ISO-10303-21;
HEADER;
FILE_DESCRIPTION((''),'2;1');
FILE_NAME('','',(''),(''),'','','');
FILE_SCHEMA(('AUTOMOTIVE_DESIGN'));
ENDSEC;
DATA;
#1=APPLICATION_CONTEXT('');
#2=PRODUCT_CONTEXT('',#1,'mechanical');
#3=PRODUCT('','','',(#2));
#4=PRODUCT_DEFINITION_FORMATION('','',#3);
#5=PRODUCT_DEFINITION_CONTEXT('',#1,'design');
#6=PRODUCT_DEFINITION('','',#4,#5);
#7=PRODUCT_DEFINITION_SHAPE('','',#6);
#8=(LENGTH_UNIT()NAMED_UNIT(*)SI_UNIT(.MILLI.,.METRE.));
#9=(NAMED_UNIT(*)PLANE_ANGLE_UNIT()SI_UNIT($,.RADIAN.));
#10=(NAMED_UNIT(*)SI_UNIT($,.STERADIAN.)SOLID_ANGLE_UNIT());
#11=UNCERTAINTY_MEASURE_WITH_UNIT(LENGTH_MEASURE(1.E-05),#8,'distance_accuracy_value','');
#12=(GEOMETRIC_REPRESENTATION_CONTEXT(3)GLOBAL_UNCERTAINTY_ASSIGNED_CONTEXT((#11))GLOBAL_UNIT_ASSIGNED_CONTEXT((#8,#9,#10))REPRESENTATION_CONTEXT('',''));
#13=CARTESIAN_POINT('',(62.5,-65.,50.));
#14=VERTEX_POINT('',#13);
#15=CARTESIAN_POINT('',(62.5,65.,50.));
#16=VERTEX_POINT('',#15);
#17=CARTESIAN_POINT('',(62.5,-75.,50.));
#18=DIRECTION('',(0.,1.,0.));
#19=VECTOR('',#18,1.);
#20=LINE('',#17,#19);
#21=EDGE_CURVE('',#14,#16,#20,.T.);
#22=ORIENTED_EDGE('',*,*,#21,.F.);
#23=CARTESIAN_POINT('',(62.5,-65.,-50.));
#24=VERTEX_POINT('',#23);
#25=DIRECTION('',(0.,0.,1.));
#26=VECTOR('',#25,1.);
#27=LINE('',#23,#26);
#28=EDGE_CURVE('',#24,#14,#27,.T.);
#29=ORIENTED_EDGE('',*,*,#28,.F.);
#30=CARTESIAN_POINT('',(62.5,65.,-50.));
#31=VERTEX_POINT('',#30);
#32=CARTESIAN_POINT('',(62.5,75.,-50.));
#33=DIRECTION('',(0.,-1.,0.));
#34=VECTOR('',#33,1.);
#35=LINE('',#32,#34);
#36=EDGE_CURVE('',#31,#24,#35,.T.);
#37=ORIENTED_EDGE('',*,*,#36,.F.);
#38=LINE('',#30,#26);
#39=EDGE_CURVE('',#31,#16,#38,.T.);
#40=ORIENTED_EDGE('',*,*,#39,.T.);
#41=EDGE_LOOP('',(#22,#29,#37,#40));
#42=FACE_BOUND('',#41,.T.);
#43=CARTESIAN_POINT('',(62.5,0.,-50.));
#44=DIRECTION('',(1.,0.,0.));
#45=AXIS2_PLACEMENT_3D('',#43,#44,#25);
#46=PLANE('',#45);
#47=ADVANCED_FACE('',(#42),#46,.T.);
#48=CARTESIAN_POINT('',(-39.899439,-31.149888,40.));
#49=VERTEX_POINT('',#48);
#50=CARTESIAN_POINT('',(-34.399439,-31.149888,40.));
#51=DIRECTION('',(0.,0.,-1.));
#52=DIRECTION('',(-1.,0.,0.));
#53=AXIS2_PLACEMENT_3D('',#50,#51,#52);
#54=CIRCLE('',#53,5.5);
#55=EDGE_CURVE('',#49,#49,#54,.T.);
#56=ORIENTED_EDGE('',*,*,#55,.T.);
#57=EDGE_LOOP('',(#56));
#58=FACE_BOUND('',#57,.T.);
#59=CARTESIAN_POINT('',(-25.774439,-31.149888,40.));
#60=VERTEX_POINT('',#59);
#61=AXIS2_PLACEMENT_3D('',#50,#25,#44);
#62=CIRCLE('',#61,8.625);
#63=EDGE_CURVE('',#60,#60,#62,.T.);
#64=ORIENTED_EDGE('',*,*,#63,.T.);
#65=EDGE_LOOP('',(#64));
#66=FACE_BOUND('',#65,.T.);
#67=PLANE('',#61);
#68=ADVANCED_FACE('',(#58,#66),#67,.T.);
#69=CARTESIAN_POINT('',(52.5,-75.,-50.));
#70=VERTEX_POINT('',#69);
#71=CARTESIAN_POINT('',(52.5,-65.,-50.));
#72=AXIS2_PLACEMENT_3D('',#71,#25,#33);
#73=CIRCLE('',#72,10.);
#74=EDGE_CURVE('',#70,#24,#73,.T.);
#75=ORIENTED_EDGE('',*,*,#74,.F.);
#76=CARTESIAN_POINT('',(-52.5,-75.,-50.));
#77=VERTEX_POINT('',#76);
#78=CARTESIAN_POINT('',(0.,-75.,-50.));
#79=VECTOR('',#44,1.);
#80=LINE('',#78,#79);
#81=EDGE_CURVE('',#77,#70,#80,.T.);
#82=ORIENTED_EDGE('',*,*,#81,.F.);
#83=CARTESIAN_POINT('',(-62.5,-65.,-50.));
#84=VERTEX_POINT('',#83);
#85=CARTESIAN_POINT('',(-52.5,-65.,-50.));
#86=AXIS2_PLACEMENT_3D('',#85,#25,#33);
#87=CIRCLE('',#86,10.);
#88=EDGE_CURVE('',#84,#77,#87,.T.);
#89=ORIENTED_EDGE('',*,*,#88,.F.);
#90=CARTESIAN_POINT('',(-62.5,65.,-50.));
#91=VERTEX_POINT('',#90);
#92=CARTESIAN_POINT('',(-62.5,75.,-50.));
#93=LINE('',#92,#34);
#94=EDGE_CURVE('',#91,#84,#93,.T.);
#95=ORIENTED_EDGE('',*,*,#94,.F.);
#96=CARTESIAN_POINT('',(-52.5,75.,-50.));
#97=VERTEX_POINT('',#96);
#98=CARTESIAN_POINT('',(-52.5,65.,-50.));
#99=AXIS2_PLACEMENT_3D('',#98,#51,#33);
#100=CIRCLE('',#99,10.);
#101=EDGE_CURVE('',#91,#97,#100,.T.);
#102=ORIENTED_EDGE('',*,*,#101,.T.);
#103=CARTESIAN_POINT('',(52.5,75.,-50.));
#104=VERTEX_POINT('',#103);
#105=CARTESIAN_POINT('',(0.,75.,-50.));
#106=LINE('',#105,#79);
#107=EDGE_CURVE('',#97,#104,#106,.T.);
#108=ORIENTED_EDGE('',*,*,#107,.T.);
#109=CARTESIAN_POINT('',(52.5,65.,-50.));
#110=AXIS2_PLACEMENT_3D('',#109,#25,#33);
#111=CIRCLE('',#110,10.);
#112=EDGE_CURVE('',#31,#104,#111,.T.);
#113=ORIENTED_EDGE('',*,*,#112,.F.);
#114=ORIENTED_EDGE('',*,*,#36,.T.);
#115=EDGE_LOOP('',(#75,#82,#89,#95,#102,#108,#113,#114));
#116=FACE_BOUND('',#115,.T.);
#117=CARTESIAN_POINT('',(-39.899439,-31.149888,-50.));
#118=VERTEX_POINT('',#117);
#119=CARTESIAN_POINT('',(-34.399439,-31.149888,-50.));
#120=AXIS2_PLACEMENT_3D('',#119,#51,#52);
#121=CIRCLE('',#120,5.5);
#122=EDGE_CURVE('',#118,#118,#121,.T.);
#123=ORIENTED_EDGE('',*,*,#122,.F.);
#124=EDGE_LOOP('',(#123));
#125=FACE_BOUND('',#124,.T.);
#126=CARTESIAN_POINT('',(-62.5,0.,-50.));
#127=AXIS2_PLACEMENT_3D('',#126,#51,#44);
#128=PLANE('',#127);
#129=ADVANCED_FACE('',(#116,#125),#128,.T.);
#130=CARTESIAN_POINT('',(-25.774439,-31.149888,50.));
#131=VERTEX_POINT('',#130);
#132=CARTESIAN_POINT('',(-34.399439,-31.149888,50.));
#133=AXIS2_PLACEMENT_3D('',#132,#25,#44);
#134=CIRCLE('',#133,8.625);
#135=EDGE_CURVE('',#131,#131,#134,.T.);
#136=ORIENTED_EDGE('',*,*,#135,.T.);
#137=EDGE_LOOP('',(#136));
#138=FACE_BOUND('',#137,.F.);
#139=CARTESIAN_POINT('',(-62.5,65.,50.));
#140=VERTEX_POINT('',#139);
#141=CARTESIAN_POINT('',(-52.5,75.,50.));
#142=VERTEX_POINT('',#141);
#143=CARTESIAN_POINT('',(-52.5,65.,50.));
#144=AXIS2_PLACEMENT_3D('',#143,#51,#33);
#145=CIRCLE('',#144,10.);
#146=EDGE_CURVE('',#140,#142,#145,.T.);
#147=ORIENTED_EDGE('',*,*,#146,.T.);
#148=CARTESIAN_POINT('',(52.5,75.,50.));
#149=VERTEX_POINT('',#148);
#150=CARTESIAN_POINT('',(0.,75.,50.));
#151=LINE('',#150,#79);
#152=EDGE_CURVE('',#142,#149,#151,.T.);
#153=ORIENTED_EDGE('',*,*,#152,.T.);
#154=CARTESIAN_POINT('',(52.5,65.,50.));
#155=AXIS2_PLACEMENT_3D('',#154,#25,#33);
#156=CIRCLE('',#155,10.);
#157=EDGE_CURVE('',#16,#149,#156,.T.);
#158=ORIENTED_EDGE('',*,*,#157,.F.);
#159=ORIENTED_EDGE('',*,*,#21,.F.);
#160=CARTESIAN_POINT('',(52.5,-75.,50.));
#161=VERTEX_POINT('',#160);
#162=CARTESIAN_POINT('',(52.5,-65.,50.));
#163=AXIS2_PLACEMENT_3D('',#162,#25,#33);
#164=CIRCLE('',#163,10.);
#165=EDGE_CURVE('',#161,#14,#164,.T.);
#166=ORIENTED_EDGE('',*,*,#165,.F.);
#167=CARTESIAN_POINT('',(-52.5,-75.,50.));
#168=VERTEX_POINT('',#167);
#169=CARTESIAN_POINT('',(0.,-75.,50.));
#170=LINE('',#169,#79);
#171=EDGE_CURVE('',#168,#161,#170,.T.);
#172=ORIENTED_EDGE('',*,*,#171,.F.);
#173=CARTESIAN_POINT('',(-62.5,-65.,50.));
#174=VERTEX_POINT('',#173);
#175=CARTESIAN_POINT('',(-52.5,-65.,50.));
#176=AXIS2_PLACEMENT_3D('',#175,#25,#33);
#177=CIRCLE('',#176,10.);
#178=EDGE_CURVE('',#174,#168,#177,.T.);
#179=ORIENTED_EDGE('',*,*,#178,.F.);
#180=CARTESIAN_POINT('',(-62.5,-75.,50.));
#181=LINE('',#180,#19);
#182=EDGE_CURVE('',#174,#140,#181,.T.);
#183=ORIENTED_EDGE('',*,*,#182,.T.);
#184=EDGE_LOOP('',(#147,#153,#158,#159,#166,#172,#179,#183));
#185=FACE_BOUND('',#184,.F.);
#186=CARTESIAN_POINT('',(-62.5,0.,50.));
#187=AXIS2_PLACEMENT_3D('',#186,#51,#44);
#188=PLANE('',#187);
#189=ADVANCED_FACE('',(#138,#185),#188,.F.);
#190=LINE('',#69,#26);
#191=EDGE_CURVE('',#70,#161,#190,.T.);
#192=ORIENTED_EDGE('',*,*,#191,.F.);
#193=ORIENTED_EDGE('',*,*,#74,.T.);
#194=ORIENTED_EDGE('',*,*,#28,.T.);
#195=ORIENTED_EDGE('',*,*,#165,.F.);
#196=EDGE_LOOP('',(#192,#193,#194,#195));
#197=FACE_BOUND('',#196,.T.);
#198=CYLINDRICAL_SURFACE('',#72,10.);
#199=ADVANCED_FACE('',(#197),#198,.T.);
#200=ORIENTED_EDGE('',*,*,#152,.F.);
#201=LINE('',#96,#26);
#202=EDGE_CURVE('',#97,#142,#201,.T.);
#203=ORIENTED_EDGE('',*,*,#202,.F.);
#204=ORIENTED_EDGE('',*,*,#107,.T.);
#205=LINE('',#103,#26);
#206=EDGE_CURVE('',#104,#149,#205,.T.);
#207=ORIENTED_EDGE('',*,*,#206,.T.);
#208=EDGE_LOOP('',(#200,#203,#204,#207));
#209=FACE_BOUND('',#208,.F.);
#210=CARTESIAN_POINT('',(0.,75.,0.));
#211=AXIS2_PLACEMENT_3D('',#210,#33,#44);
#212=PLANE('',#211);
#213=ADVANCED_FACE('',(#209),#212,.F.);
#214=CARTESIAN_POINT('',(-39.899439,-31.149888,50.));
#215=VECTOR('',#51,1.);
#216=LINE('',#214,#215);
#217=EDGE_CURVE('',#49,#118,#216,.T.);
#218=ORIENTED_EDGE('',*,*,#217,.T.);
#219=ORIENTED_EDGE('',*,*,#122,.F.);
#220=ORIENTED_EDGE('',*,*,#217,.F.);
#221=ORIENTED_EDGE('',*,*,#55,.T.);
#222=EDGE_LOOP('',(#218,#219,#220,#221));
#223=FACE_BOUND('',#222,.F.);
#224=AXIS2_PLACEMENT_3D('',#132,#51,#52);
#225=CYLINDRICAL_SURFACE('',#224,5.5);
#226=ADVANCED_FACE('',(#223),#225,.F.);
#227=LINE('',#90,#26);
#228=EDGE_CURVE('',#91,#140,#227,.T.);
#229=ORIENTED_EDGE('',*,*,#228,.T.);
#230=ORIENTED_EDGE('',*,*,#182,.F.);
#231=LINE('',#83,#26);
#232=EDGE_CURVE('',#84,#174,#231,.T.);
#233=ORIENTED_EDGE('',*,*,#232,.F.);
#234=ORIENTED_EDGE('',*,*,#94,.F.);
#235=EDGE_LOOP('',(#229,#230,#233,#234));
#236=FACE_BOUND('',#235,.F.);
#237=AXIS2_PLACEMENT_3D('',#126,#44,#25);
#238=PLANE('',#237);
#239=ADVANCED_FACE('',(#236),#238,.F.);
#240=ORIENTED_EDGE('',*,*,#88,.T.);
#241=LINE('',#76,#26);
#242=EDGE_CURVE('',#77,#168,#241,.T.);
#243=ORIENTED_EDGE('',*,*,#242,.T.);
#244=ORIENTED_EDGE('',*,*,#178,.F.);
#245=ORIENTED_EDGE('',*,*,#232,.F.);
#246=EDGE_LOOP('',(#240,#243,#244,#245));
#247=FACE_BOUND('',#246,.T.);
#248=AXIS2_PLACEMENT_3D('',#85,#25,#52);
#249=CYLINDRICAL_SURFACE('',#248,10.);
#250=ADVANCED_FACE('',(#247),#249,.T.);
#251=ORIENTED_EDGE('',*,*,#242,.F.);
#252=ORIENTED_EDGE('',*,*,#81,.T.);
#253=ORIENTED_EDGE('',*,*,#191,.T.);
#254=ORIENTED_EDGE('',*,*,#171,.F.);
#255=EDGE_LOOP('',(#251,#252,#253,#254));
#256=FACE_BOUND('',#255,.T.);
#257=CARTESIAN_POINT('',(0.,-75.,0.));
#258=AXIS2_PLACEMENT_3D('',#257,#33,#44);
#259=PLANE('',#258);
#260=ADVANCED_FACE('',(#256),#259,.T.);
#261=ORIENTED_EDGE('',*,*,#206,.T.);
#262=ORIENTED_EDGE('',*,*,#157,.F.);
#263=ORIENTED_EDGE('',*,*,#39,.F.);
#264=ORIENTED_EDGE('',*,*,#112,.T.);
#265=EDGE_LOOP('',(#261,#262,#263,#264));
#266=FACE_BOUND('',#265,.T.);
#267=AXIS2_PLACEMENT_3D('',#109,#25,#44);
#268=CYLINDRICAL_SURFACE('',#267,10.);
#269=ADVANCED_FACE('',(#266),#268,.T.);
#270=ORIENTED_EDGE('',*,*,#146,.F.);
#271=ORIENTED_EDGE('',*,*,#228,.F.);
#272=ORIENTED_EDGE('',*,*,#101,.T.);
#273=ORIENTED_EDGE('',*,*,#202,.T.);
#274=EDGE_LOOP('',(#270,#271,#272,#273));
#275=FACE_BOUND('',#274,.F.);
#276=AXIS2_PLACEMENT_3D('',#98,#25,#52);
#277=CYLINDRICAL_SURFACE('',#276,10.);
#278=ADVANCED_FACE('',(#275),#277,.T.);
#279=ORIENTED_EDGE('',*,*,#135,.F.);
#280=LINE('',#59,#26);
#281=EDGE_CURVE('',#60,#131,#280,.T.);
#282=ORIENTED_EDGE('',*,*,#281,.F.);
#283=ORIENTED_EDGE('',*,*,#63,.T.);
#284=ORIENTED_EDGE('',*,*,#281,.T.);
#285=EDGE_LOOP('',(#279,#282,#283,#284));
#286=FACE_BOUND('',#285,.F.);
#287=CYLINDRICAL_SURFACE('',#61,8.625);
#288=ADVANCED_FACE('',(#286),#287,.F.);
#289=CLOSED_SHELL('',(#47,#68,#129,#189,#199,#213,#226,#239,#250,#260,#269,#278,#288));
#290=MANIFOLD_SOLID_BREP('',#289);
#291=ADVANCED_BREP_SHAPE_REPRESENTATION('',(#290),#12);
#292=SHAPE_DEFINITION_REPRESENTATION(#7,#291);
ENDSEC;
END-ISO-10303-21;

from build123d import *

# Parameters (mm, degrees)
F0_W           = 125
F0_H           = 100
F1_DEPTH       = 75
F1_DEPTH_BACK  = 75
F2_R           = 10
F4_D           = 11
F4_CBORE_D     = 17.25
F4_CBORE_DEPTH = 10


with BuildPart() as f1:
    # F0 (on Front) → F1 (new body, two sides)
    with BuildSketch(Plane.XZ) as f1_sk:
        Rectangle(F0_W, F0_H)
    extrude(amount=F1_DEPTH)
    extrude(f1_sk.sketch, amount=-F1_DEPTH_BACK)

    # F2
    f2_edges = [f1.edges().sort_by_distance(p)[0] for p in [
        (62.5, -75, 0),
        (62.5, 75, 0),
        (-62.5, 75, 0),
        (-62.5, -75, 0),
    ]]
    fillet(f2_edges, radius=F2_R)

    # F4 (through all)
    with Locations(Plane.XY.offset(50)):
        with Locations((-34.3994386494, -31.1498884112)):
            CounterBoreHole(F4_D / 2, F4_CBORE_D / 2, F4_CBORE_DEPTH)


solid = f1.part
